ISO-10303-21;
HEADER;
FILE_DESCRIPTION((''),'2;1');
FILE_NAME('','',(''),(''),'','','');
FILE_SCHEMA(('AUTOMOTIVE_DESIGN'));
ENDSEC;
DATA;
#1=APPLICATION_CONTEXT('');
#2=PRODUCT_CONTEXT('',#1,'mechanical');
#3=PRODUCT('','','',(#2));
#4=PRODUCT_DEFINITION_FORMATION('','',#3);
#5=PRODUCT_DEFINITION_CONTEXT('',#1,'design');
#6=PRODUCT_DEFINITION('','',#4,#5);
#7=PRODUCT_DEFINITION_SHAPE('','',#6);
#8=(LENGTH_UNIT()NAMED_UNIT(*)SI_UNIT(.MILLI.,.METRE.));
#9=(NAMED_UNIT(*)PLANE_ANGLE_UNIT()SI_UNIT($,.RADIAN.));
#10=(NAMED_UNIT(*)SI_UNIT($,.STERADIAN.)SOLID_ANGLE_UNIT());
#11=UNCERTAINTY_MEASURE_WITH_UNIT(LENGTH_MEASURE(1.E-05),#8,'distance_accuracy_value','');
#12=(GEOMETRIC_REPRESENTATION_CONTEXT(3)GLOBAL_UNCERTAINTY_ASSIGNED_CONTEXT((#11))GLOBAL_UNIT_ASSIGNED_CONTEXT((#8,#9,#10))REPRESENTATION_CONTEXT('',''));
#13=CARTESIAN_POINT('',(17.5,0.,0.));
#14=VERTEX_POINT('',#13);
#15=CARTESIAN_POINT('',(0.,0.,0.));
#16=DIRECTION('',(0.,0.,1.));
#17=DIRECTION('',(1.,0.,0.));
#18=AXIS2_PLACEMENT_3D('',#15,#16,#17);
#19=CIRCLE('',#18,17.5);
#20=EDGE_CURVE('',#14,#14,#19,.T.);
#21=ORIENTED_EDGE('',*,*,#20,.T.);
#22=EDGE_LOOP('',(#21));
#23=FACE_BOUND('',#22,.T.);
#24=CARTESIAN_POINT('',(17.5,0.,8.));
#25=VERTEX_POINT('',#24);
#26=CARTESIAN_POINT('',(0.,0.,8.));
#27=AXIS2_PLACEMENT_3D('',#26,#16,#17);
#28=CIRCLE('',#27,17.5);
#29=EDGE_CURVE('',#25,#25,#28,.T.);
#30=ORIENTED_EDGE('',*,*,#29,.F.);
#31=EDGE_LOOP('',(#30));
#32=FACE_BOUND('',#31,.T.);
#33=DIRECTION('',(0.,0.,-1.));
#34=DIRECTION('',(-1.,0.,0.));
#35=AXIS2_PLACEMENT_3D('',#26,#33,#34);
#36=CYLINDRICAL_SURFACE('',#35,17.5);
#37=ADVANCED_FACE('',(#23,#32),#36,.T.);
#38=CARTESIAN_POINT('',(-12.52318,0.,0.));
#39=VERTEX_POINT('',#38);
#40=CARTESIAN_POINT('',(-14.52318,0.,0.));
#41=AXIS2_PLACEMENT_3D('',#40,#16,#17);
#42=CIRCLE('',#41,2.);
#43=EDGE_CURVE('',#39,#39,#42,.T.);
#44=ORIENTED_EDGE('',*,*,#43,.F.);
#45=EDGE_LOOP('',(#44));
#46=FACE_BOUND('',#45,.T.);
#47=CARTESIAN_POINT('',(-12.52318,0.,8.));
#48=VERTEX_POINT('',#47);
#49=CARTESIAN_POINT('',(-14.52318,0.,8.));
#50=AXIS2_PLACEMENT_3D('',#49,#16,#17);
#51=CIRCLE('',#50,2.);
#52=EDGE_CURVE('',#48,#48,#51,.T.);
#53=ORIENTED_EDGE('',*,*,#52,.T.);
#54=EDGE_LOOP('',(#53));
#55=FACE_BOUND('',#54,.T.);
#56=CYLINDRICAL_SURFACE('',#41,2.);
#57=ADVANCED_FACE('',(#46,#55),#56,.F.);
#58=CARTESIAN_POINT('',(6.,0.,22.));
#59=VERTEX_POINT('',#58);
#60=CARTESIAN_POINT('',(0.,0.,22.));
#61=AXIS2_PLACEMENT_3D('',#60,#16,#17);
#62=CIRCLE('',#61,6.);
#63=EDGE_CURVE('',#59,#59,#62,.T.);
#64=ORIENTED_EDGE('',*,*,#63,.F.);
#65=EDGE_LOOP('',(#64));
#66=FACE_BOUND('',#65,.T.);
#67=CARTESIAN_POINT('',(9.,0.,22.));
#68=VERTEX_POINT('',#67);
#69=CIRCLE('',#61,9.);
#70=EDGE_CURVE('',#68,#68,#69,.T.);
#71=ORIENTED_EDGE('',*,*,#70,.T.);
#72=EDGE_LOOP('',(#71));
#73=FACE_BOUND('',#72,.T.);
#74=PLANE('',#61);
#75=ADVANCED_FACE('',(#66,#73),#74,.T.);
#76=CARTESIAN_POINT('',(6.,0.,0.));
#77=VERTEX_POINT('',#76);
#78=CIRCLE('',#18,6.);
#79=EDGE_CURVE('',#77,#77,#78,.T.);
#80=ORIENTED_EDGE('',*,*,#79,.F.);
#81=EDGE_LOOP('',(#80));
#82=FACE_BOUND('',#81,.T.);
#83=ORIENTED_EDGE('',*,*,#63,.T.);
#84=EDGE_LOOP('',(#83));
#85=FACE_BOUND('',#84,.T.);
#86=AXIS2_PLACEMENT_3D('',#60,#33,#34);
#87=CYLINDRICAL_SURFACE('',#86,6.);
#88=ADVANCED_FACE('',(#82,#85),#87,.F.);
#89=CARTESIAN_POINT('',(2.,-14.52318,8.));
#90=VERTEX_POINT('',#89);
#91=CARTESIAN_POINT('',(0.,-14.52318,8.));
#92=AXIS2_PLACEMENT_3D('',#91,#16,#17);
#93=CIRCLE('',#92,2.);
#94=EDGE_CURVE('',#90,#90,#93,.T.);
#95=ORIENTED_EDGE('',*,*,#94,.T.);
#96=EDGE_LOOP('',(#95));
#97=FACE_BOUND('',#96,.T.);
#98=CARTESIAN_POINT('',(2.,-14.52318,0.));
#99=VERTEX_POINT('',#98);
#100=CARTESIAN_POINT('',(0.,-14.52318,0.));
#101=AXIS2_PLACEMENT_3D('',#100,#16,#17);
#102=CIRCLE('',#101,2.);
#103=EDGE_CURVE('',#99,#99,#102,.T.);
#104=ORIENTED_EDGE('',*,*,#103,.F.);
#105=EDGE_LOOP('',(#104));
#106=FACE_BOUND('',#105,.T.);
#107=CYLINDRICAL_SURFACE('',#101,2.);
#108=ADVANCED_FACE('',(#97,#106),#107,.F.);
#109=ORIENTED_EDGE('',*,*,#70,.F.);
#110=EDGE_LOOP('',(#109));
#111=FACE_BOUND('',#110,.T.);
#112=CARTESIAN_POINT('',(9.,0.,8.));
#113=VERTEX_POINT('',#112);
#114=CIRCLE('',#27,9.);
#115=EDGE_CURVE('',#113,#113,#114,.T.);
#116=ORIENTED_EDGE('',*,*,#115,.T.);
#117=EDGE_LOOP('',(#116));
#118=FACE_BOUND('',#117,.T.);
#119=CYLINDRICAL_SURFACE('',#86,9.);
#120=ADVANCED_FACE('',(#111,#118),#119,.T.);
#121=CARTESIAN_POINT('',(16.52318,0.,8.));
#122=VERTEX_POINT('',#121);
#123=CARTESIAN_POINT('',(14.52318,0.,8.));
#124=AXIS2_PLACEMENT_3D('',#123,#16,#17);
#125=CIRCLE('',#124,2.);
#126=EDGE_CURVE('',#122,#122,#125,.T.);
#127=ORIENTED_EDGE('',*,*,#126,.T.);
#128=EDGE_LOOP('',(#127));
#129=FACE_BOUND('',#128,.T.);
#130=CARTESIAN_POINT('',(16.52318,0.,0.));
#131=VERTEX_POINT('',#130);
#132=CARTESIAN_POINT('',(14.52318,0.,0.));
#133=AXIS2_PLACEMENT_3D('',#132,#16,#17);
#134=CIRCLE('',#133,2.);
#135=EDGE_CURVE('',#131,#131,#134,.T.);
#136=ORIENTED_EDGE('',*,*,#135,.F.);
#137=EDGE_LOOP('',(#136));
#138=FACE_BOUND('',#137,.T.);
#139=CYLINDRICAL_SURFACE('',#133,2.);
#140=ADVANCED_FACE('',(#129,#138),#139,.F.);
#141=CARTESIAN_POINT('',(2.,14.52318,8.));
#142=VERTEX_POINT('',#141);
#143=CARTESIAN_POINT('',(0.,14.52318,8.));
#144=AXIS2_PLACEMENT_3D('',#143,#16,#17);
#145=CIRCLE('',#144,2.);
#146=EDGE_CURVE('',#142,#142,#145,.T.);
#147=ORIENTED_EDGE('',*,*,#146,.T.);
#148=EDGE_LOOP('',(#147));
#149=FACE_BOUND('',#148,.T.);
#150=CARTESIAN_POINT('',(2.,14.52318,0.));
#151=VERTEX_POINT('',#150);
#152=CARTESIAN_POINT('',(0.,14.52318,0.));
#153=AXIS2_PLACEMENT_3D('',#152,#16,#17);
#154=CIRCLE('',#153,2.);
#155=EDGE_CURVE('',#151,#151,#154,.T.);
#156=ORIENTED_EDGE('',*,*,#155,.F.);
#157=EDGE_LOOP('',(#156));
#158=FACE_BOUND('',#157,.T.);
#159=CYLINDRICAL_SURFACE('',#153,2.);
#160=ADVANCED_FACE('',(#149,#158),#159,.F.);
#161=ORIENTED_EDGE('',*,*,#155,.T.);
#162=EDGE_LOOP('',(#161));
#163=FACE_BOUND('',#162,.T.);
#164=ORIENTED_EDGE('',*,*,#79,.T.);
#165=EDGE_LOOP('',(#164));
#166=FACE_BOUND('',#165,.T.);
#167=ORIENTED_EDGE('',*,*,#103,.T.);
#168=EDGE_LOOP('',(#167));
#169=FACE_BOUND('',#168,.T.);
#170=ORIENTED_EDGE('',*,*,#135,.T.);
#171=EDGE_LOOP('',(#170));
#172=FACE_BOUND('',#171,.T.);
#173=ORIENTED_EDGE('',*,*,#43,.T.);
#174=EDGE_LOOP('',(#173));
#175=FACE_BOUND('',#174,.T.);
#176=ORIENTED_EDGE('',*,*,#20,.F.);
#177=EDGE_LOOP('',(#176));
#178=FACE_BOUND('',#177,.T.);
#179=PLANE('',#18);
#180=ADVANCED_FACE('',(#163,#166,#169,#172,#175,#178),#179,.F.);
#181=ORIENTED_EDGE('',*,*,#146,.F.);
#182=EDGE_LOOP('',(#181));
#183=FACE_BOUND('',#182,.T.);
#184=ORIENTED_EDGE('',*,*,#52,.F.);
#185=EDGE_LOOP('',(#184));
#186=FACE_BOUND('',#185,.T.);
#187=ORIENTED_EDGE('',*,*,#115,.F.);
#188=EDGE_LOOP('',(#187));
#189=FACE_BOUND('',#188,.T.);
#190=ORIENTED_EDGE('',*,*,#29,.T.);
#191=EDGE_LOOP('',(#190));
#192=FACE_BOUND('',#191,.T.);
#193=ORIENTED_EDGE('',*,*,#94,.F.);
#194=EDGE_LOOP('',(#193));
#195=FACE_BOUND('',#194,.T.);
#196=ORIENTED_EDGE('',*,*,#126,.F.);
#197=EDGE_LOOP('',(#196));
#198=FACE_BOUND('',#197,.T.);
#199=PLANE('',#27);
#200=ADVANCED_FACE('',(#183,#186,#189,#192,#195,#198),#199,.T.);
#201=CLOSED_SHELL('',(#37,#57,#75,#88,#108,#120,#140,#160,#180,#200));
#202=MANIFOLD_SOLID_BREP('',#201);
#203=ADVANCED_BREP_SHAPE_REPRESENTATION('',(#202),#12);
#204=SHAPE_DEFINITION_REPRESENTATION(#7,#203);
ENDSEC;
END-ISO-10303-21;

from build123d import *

# Parameters (mm, degrees)
ESBO_O2_R                  = 17.5
RESSALTO_EXTRUS_O2_DEPTH   = 8
CORTE_EXTRUS_O2_DEPTH      = 27.009613607
CORTE_EXTRUS_O2_DEPTH_BACK = 27.009613607
ESBO_O6_R                  = 2
ESBO_O7_R                  = 9
ESBO_O7_R_2                = 6
RESSALTO_EXTRUS_O3_DEPTH   = 14
CORTE_EXTRUS_O3_DEPTH      = 29.434134416
CORTE_EXTRUS_O3_DEPTH_BACK = 29.434134416
ESBO_O8_R                  = 6


with BuildPart() as part:
    # Esboço2 → Ressalto-extrusão2 (new body)
    with BuildSketch(Plane.XY):
        Circle(ESBO_O2_R)
    extrude(amount=RESSALTO_EXTRUS_O2_DEPTH)

    # Esboço6 → Corte-extrusão2 (cut, two sides: drawn at the far end of the back side and taken through both)
    with BuildSketch(Plane.XY.offset(8).offset(-CORTE_EXTRUS_O2_DEPTH_BACK)):
        with Locations((0, 14.523179991)):
            Circle(ESBO_O6_R)
        with Locations((14.523179991, 0)):
            Circle(ESBO_O6_R)
        with Locations((0, -14.523179991)):
            Circle(ESBO_O6_R)
        with Locations((-14.523179991, 0)):
            Circle(ESBO_O6_R)
    extrude(amount=CORTE_EXTRUS_O2_DEPTH + CORTE_EXTRUS_O2_DEPTH_BACK, mode=Mode.SUBTRACT)

    # Esboço7 → Ressalto-extrusão3 (add)
    with BuildSketch(Plane.XY.offset(8)):
        Circle(ESBO_O7_R)
        Circle(ESBO_O7_R_2, mode=Mode.SUBTRACT)
    extrude(amount=RESSALTO_EXTRUS_O3_DEPTH)

    # Esboço8 → Corte-extrusão3 (cut, two sides: drawn at the far end of the back side and taken through both)
    with BuildSketch(Plane.XY.offset(8).offset(-CORTE_EXTRUS_O3_DEPTH_BACK)):
        Circle(ESBO_O8_R)
    extrude(amount=CORTE_EXTRUS_O3_DEPTH + CORTE_EXTRUS_O3_DEPTH_BACK, mode=Mode.SUBTRACT)


solid = part.part
